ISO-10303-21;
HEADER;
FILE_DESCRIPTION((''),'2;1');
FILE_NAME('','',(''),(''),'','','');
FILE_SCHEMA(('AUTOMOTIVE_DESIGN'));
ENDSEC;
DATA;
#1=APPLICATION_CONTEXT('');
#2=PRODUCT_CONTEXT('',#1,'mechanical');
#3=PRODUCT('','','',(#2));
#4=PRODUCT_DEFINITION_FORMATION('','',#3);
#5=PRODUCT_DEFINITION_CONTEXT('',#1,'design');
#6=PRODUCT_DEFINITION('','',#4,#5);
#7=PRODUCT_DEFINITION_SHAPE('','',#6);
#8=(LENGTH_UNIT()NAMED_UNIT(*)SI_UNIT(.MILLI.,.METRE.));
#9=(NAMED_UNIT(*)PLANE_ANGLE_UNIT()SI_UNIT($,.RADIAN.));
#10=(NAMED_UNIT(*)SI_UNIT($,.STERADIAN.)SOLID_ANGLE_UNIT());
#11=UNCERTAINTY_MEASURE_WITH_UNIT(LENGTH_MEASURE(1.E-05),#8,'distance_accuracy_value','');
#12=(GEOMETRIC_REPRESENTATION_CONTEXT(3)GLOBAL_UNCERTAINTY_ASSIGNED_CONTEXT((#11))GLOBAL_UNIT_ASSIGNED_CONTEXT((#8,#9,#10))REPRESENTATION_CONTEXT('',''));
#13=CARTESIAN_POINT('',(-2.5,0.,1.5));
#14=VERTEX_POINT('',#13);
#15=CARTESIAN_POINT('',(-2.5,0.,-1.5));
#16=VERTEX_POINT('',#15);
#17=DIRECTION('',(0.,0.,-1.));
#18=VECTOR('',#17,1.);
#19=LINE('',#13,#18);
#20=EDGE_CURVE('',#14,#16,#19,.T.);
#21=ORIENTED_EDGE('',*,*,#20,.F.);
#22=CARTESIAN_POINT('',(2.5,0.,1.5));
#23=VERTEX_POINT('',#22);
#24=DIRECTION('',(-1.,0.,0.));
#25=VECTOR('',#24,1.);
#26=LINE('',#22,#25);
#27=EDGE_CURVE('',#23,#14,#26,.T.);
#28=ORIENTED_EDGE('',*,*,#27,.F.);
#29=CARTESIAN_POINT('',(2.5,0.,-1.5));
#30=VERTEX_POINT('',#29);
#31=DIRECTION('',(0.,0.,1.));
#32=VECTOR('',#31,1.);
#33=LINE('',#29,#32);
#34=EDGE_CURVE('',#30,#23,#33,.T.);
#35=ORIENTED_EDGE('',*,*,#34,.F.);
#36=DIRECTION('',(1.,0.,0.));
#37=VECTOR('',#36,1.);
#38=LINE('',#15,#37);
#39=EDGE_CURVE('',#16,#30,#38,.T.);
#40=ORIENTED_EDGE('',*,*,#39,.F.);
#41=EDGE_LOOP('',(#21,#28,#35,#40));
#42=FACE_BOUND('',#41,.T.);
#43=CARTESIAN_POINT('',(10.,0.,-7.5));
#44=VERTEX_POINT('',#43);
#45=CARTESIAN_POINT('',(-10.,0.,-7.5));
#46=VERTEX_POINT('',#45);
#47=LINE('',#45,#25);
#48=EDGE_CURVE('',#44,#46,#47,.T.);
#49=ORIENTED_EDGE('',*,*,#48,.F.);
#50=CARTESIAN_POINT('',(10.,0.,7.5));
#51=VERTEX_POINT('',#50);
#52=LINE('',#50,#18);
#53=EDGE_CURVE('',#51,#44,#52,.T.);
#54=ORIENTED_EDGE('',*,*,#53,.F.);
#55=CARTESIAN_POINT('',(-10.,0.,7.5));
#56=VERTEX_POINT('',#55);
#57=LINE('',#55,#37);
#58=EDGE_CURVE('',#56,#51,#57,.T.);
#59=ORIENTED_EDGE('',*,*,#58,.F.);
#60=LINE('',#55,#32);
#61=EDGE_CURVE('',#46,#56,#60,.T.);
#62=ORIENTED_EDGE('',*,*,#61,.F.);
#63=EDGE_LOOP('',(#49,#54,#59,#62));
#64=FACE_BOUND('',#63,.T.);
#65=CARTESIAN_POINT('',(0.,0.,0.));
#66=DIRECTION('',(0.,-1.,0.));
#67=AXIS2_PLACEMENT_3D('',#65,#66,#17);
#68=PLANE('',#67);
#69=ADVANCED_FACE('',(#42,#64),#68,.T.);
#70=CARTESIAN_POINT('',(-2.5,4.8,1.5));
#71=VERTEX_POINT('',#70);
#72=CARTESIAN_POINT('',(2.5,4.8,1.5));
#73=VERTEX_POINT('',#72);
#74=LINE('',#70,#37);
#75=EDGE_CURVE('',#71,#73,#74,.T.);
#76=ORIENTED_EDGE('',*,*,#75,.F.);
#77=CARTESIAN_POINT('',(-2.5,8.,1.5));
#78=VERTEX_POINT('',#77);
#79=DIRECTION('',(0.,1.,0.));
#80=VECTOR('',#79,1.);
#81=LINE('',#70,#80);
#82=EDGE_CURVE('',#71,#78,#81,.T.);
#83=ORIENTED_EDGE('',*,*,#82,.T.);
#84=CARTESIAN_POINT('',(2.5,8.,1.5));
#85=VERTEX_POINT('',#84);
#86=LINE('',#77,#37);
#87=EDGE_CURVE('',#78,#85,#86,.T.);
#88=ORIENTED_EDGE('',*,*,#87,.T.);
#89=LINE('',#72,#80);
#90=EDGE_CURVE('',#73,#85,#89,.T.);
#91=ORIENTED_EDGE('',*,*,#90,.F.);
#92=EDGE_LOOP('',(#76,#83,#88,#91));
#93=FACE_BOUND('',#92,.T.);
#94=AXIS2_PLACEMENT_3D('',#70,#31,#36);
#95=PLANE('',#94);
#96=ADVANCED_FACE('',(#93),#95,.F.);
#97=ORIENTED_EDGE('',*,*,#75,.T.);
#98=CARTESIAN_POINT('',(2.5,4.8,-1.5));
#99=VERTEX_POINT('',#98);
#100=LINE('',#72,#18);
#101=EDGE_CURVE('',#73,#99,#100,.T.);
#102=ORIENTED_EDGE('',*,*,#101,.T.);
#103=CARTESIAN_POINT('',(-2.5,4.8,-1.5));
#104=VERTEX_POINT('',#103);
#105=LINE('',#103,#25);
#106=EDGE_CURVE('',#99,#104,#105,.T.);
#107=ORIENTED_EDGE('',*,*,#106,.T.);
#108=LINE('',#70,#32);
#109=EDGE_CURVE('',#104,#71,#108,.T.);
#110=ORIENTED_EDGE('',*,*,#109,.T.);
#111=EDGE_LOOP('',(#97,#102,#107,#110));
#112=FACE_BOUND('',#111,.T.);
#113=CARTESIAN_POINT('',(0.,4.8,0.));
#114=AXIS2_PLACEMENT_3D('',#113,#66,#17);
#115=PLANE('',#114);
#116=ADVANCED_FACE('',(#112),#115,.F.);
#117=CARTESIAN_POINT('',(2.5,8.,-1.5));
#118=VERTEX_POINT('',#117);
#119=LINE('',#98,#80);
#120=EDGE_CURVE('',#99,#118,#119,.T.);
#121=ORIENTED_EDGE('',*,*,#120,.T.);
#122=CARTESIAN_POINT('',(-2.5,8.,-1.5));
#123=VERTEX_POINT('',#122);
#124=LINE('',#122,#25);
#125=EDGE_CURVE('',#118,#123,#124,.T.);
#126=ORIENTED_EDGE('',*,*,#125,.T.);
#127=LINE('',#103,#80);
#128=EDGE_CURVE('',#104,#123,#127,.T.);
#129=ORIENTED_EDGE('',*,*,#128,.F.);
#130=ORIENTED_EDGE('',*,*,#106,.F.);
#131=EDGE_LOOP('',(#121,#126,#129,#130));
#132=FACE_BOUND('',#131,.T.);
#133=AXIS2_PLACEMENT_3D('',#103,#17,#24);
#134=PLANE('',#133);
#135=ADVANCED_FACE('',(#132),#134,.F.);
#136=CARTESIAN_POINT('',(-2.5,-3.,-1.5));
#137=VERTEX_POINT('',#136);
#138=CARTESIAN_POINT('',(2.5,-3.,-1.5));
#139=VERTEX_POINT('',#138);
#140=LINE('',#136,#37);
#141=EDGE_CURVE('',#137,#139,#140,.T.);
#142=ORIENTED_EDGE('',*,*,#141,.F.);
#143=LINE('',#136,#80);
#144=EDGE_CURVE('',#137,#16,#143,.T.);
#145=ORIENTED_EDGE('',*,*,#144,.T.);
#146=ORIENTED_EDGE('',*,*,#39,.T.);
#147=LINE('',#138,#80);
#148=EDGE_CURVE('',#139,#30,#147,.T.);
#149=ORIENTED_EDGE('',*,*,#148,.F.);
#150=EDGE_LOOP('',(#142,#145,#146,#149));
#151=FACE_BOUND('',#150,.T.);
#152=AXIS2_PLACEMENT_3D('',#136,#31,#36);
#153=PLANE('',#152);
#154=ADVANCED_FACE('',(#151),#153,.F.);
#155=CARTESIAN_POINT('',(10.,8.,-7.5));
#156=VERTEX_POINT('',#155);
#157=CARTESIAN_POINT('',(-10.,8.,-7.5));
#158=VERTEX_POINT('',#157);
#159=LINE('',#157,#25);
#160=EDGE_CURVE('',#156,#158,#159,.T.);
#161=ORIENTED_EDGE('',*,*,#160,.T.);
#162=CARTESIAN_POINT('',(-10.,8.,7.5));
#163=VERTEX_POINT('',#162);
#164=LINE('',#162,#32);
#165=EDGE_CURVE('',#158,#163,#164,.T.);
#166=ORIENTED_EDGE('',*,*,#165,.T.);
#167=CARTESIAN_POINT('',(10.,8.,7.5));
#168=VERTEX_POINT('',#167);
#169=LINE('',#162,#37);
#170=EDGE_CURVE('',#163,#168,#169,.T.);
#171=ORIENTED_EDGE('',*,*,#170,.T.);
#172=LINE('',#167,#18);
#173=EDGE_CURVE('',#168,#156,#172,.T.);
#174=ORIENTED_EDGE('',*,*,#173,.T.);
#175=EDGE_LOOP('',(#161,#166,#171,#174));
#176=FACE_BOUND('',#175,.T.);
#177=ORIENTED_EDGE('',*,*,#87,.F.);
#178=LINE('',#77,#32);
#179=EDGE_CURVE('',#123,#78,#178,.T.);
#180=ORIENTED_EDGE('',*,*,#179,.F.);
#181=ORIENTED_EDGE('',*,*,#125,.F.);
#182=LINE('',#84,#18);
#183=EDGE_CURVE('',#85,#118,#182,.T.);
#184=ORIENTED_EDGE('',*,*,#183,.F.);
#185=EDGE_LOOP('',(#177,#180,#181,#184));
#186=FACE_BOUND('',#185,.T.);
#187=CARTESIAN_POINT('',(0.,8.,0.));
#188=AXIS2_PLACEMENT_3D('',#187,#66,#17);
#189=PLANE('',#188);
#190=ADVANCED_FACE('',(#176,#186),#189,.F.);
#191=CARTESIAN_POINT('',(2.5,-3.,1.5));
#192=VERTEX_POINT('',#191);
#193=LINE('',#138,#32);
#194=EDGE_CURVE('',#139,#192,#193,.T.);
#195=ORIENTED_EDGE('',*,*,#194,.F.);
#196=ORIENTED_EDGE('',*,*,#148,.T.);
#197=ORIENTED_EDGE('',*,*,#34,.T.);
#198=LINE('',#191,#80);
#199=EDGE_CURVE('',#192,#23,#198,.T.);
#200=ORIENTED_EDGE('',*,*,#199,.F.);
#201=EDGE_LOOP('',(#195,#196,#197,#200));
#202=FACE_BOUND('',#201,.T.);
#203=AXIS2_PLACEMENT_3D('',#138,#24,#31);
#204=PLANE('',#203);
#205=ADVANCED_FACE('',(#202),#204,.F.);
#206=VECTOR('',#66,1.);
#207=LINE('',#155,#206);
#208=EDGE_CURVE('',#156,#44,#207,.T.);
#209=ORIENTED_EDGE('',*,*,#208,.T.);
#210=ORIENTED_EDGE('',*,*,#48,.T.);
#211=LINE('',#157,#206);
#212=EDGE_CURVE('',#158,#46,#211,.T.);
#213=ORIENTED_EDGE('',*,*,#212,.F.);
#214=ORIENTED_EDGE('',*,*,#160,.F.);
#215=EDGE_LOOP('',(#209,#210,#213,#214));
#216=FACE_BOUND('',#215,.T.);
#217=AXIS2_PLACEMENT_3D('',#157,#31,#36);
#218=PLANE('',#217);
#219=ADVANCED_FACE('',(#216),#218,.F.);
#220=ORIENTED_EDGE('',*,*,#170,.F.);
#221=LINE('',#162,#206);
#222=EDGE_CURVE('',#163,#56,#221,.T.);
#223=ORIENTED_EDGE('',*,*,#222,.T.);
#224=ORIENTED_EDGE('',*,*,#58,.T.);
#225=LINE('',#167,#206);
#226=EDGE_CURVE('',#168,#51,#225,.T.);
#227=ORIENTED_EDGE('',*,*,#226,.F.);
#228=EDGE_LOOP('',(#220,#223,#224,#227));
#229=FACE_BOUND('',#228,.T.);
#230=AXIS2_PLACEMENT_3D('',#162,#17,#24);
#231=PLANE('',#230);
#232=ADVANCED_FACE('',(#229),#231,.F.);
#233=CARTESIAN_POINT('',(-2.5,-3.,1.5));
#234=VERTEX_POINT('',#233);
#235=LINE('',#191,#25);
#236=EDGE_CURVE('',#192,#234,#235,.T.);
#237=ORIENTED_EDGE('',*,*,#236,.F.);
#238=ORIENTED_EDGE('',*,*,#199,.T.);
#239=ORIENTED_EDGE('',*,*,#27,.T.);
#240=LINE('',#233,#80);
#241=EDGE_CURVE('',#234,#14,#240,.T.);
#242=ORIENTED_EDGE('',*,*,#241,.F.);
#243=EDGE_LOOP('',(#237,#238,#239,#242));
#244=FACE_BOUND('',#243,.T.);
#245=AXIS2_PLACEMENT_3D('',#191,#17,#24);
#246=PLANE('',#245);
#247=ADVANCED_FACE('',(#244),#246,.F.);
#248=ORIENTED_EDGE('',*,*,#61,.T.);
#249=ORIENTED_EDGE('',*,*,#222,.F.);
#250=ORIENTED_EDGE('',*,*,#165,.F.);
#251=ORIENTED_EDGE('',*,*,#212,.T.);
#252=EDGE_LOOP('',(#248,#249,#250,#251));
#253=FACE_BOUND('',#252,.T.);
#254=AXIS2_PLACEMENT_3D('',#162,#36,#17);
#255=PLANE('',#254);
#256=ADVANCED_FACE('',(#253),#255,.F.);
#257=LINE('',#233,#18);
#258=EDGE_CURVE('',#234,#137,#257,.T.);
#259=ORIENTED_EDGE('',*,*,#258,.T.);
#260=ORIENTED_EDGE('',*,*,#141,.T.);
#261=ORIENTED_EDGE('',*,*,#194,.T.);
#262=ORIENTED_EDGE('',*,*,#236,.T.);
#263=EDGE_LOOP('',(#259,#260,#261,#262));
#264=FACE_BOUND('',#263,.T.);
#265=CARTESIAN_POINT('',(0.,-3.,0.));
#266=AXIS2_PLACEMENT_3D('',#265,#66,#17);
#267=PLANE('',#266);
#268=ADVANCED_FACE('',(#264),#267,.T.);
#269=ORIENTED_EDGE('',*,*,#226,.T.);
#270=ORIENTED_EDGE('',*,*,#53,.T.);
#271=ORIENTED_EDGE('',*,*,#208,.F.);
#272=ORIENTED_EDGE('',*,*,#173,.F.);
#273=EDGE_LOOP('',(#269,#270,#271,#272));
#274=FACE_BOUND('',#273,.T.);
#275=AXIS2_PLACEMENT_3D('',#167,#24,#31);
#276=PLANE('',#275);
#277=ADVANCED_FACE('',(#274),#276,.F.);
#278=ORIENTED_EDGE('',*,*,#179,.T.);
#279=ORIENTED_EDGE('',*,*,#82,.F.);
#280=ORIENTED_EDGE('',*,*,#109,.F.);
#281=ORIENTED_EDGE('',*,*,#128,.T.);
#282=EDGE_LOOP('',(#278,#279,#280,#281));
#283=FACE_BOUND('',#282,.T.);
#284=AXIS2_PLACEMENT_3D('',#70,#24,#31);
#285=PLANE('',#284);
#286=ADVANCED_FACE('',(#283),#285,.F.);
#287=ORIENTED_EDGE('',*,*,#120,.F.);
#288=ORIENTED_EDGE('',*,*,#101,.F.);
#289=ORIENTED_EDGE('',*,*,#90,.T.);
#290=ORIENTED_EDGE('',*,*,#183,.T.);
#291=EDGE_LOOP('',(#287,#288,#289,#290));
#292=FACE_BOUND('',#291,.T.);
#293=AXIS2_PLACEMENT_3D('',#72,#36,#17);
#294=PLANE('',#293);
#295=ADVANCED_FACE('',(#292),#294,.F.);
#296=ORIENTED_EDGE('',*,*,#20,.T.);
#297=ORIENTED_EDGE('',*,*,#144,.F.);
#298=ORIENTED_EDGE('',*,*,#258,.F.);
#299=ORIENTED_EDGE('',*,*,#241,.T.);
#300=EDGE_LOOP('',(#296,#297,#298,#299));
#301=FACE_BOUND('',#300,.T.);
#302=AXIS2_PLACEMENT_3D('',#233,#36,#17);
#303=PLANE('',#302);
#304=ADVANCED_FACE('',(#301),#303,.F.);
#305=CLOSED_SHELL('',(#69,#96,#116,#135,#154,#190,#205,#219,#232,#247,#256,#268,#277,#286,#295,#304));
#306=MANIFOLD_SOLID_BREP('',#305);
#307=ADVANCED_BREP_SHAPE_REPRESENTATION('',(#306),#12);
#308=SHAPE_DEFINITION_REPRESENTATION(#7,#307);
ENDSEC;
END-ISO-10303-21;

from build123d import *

# Parameters (mm, degrees)
SKETCH1_W           = 20
SKETCH1_H           = 15
BOSS_EXTRUDE1_DEPTH = 8
SKETCH2_W           = 5
SKETCH2_H           = 3
CUT_EXTRUDE1_DEPTH  = 3.2
SKETCH3_W           = 5
SKETCH3_H           = 3
BOSS_EXTRUDE2_DEPTH = 3


with BuildPart() as part:
    # Sketch1 → Boss-Extrude1 (new body)
    with BuildSketch(Plane(origin=(0, 0, 0), x_dir=(1, 0, 0), z_dir=(0, 1, 0))):
        Rectangle(SKETCH1_W, SKETCH1_H)
    extrude(amount=BOSS_EXTRUDE1_DEPTH)

    # Sketch2 → Cut-Extrude1 (cut)
    with BuildSketch(Plane(origin=(0, 8, 0), x_dir=(1, 0, 0), z_dir=(0, 1, 0))):
        Rectangle(SKETCH2_W, SKETCH2_H)
    extrude(amount=-CUT_EXTRUDE1_DEPTH, mode=Mode.SUBTRACT)

    # Sketch3 → Boss-Extrude2 (add)
    with BuildSketch(Plane.XZ):
        Rectangle(SKETCH3_W, SKETCH3_H)
    extrude(amount=BOSS_EXTRUDE2_DEPTH)


solid = part.part
